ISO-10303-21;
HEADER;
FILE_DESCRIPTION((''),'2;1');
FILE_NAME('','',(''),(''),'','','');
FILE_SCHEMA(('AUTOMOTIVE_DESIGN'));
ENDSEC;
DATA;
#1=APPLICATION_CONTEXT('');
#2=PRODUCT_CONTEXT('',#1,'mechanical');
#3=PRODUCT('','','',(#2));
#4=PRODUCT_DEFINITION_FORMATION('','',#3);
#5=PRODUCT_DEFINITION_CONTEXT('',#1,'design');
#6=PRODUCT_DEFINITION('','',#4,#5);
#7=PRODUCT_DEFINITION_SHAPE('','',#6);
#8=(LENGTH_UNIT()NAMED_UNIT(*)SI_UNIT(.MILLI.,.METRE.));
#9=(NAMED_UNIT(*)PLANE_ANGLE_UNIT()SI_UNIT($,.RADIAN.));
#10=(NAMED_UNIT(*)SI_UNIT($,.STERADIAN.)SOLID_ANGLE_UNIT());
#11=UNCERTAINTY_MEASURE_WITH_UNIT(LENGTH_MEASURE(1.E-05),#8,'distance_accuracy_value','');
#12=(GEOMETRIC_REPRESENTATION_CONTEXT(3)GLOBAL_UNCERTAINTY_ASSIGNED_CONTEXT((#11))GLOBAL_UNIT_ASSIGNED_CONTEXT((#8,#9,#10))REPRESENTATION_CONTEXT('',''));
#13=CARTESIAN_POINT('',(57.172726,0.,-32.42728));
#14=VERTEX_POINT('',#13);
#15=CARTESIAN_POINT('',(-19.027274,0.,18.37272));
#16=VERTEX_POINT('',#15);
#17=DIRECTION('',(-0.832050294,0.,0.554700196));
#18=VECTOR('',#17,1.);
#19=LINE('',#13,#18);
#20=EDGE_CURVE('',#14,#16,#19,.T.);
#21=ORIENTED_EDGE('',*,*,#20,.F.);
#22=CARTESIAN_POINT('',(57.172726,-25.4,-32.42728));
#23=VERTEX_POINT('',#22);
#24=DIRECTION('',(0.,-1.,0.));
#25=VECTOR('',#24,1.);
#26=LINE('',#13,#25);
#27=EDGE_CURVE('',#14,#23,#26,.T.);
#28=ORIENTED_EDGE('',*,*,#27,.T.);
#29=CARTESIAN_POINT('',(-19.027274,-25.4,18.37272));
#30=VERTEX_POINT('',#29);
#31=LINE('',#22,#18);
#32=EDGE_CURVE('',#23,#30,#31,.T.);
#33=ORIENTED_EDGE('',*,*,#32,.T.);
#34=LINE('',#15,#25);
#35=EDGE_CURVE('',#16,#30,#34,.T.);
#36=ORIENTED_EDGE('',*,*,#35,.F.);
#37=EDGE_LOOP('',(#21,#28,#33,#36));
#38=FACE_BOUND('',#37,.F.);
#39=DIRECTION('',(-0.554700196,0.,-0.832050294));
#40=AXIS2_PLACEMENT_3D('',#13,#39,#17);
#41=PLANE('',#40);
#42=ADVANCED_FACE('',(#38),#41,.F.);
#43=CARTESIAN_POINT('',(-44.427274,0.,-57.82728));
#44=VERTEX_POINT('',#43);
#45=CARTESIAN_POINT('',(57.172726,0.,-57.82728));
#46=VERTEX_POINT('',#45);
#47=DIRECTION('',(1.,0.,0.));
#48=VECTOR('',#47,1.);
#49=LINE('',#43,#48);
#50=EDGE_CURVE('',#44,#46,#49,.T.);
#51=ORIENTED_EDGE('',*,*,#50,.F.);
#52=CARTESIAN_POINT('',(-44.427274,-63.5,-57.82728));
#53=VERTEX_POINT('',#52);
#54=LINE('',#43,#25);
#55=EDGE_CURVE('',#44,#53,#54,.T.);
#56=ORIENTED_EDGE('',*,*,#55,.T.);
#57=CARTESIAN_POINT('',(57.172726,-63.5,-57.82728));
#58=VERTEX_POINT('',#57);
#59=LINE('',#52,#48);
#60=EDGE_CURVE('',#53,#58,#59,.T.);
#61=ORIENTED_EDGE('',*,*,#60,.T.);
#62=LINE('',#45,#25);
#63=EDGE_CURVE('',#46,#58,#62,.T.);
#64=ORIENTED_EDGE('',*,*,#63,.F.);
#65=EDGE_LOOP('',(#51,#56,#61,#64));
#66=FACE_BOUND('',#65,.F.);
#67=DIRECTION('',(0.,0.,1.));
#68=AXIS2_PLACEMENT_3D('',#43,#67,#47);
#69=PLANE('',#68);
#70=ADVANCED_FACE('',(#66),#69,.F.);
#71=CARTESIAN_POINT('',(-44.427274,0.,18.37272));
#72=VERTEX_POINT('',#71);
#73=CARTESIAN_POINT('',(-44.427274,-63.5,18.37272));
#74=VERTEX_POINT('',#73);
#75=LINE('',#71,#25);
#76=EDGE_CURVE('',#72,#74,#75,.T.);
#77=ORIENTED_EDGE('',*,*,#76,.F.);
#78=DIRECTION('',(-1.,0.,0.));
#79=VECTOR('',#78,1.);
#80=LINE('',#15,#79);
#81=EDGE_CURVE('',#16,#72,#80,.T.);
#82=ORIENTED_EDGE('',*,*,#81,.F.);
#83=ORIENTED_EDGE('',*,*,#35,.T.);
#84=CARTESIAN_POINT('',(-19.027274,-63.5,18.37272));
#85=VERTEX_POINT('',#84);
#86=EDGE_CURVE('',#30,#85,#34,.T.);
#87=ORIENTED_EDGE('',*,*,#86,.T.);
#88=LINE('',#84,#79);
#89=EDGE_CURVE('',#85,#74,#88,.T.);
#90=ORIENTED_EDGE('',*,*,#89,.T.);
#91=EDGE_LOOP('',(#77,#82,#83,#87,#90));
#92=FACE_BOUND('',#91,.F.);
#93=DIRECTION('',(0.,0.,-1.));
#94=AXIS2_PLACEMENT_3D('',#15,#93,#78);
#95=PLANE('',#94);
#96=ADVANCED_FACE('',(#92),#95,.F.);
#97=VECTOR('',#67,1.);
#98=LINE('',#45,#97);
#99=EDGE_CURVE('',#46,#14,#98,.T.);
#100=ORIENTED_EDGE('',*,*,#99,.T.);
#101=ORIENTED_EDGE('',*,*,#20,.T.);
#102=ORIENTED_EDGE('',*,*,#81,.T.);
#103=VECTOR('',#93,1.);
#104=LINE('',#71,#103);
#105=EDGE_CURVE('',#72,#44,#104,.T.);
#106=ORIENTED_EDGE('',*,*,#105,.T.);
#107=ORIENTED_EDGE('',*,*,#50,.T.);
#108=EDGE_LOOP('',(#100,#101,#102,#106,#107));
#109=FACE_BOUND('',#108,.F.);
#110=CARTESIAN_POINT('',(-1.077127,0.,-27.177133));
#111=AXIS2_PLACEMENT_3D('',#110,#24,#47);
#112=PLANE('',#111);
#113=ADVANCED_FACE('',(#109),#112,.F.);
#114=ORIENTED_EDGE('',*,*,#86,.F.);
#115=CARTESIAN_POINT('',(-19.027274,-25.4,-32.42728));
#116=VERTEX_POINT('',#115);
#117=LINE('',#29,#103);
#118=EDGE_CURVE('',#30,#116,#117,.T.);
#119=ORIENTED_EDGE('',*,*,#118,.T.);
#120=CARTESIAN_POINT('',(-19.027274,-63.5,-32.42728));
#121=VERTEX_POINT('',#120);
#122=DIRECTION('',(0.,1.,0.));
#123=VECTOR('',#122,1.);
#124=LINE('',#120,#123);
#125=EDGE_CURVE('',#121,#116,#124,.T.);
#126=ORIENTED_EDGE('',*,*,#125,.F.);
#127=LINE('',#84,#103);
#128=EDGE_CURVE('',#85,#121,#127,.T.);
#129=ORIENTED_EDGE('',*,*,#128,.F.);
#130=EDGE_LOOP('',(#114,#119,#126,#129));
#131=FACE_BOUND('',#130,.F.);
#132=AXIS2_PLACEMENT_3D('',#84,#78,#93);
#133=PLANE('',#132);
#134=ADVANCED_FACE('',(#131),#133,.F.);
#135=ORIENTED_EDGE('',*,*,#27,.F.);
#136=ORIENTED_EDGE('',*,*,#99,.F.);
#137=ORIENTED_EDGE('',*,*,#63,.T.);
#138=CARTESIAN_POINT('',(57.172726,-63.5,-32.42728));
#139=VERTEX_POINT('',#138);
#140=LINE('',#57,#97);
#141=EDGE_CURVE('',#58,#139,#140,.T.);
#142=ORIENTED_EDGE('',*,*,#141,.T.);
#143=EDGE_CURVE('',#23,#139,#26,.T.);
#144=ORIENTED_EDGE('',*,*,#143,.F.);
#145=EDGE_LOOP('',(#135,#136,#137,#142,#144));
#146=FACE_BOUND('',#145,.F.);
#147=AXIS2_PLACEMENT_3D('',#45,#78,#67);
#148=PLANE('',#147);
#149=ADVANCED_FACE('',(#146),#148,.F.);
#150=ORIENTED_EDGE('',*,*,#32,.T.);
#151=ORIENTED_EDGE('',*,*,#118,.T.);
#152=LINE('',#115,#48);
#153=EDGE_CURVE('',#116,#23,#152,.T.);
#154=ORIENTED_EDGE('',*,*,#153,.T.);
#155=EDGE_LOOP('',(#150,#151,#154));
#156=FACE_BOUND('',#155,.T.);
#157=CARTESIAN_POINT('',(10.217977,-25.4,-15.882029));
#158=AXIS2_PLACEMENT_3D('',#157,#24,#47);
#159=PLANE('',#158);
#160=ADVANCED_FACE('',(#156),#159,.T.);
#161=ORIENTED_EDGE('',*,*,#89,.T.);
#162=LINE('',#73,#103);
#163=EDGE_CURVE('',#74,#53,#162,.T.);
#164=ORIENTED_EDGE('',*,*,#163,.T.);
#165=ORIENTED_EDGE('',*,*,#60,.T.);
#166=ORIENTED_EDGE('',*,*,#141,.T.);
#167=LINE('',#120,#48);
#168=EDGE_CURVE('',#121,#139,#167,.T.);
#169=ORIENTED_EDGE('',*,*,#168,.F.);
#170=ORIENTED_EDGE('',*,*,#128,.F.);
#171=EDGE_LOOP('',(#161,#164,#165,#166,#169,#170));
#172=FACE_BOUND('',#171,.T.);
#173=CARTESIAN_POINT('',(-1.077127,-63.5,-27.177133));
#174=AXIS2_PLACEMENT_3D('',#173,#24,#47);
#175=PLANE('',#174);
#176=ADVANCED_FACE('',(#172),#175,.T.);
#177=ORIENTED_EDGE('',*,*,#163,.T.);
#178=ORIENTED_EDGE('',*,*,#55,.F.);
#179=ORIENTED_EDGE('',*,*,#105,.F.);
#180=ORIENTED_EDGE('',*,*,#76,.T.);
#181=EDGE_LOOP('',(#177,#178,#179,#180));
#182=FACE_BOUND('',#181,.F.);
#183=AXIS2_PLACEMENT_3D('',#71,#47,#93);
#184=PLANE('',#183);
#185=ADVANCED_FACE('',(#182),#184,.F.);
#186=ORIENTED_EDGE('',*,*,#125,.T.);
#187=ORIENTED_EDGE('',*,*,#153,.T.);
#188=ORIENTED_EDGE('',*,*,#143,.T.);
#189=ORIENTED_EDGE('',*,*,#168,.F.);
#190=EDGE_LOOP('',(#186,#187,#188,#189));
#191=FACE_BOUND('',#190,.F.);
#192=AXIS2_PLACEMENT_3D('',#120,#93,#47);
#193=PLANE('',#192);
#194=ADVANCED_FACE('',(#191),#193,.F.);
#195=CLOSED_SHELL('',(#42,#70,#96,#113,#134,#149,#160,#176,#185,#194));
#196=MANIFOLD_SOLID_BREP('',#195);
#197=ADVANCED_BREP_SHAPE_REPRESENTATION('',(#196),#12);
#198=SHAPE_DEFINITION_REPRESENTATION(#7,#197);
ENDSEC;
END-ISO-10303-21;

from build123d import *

# Parameters (mm, degrees)
F1_DEPTH = 63.5
F3_DEPTH = 38.1


with BuildPart() as f1:
    # F0 (on Front) → F1 (new body)
    with BuildSketch(Plane.XZ):
        Polygon((57.172726, -32.42728), (-19.027274, 18.37272), (-44.427274, 18.37272), (-44.427274, -57.82728), (57.172726, -57.82728), align=None)
    extrude(amount=F1_DEPTH)

    # F2 (on face) → F3 (cut)
    with BuildSketch(Plane.XZ.offset(63.5)):
        Polygon((-19.027274, 18.37272), (-19.027274, -32.42728), (57.172726, -32.42728), align=None)
    extrude(amount=-F3_DEPTH, mode=Mode.SUBTRACT)


solid = f1.part
